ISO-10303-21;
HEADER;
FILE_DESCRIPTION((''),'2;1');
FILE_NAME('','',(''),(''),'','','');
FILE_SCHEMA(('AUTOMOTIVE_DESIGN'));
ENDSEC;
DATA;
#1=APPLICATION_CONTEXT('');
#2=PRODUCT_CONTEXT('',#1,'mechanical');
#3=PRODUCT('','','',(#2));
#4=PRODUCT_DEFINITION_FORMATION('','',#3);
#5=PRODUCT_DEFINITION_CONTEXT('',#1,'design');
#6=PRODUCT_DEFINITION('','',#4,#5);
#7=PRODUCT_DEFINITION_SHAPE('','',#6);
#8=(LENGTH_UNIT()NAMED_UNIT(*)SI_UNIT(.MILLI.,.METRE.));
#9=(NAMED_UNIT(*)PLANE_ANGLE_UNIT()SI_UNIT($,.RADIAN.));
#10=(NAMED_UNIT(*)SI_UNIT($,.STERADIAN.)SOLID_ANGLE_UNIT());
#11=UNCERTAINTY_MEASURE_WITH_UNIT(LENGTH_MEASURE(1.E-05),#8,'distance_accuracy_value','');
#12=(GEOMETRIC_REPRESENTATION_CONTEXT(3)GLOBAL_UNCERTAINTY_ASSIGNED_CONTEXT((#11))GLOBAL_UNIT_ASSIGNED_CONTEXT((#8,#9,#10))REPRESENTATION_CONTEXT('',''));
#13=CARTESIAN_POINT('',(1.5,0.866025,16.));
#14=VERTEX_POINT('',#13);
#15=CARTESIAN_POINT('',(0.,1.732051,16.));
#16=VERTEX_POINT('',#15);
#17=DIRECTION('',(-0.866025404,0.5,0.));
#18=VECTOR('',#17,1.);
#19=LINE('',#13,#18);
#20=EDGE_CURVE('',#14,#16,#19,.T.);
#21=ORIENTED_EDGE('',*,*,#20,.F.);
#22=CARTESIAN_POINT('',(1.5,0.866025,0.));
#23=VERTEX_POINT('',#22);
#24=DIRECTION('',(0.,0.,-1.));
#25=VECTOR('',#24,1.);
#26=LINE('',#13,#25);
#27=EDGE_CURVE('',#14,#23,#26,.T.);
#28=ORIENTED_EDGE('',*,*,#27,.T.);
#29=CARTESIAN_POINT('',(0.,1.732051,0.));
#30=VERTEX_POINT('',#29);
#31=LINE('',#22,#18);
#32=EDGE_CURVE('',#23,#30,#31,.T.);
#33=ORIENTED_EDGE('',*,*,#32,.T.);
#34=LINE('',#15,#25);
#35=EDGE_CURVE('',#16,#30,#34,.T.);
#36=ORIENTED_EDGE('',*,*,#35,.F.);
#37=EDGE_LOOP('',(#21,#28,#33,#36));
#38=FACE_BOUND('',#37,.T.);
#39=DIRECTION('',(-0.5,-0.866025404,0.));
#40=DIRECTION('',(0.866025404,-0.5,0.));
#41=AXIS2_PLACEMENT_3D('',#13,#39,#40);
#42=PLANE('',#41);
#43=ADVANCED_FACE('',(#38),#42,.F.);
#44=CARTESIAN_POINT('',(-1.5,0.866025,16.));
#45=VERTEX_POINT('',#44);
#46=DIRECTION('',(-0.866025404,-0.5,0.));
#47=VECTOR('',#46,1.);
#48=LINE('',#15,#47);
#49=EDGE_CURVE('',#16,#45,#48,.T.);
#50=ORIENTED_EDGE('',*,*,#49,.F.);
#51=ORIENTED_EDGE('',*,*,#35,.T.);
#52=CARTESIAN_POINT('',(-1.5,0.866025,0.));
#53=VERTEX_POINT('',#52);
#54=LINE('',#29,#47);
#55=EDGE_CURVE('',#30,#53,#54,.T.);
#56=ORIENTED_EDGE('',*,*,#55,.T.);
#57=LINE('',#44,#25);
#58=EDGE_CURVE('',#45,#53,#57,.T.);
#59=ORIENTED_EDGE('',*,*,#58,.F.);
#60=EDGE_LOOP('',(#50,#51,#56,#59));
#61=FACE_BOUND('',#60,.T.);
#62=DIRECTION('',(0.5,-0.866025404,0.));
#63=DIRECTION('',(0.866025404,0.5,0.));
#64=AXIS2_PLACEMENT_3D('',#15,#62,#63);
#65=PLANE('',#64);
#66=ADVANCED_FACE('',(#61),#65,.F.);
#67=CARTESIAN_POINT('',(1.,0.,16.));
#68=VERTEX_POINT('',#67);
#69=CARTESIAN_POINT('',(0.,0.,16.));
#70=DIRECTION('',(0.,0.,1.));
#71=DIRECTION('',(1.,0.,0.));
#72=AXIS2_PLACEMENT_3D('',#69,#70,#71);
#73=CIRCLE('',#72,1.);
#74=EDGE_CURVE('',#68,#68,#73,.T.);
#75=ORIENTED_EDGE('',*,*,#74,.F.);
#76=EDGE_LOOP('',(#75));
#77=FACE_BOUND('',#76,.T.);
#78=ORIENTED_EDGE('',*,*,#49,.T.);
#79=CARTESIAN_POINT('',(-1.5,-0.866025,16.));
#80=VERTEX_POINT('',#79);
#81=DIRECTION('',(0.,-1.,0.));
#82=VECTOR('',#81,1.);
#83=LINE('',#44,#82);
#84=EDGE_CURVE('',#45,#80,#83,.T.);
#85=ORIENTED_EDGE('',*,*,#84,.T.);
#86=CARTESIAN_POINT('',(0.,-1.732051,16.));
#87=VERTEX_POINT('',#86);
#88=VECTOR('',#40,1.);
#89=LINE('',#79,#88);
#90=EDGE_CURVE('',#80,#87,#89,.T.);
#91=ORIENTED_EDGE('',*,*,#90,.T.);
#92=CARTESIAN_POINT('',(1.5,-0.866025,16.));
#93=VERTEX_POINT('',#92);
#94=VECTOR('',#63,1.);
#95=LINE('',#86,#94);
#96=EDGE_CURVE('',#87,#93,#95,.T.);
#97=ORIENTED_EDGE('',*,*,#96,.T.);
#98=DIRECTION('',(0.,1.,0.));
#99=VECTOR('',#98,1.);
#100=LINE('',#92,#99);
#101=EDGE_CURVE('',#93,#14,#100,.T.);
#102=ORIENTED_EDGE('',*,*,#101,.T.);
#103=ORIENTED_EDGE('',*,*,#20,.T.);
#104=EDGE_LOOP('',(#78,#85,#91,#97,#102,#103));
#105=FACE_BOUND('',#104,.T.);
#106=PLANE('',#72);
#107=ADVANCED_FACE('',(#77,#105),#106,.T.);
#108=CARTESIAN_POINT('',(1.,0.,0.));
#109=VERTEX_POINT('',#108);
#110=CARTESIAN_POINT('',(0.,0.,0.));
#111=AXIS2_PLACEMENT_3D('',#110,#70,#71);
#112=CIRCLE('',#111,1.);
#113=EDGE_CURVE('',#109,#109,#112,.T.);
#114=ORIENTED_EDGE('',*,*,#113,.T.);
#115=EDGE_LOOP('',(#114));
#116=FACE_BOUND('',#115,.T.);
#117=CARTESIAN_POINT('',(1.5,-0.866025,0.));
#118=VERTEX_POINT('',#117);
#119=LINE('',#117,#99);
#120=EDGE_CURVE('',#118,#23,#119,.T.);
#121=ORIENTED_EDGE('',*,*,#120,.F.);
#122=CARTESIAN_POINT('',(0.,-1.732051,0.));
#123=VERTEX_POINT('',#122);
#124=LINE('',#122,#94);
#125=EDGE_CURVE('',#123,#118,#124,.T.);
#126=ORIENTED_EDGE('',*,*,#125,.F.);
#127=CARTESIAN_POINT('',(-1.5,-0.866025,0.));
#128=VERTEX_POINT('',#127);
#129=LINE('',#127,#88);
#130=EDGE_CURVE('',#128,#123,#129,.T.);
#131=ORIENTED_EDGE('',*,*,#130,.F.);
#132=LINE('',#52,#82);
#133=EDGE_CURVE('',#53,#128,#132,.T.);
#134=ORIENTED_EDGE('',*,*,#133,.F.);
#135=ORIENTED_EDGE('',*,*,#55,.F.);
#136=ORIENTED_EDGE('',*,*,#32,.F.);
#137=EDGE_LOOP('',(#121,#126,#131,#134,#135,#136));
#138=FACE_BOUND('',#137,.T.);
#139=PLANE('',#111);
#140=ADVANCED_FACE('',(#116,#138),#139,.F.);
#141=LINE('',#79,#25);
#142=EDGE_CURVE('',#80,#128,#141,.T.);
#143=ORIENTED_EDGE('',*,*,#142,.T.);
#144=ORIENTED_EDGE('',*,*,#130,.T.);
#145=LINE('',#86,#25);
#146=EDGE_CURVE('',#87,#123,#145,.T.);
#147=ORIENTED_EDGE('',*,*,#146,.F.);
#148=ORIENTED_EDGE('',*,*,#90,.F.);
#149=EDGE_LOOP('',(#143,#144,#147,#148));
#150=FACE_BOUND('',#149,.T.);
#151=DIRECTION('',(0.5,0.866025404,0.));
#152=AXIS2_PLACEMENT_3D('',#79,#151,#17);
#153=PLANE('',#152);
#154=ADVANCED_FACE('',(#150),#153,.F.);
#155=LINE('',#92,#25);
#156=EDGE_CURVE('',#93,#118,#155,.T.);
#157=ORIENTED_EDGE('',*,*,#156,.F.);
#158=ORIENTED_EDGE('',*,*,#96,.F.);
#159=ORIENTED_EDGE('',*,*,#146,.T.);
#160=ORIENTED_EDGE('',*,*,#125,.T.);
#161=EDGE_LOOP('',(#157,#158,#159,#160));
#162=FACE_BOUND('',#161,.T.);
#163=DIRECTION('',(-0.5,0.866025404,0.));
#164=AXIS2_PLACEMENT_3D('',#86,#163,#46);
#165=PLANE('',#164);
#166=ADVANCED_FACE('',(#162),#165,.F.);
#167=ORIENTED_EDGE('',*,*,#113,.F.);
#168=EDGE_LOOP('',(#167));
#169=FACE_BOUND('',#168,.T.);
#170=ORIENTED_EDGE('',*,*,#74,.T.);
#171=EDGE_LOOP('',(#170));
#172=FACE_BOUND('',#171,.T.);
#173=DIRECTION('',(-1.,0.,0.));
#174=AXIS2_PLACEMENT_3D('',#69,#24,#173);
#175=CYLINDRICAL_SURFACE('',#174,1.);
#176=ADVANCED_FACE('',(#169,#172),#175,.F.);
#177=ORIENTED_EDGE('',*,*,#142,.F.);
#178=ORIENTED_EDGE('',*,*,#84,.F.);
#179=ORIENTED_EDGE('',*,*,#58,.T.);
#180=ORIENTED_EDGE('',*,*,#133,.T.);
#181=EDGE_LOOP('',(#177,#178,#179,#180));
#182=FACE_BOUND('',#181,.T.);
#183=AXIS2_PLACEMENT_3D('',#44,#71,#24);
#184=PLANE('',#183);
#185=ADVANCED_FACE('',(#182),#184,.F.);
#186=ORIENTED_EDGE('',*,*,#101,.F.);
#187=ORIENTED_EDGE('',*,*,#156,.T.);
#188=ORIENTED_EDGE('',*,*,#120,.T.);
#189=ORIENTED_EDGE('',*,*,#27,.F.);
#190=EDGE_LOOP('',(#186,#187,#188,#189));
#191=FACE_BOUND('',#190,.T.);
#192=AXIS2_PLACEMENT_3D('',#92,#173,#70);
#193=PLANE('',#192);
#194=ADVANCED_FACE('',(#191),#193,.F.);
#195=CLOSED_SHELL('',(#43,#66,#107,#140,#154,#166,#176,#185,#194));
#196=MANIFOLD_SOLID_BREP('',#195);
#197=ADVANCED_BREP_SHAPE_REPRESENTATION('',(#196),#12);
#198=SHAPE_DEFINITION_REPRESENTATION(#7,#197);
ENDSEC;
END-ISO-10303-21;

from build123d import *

# Parameters (mm, degrees)
SKETCH_1_R      = 1
EXTRUDE_1_DEPTH = 16


with BuildPart() as part:
    # 草图1 → 凸台-拉伸1 (new body)
    with BuildSketch(Plane.XY):
        Polygon((1.5, 0.866025404), (0, 1.732050808), (-1.5, 0.866025404), (-1.5, -0.866025404), (0, -1.732050808), (1.5, -0.866025404), align=None)
        Circle(SKETCH_1_R, mode=Mode.SUBTRACT)
    extrude(amount=EXTRUDE_1_DEPTH)


solid = part.part
